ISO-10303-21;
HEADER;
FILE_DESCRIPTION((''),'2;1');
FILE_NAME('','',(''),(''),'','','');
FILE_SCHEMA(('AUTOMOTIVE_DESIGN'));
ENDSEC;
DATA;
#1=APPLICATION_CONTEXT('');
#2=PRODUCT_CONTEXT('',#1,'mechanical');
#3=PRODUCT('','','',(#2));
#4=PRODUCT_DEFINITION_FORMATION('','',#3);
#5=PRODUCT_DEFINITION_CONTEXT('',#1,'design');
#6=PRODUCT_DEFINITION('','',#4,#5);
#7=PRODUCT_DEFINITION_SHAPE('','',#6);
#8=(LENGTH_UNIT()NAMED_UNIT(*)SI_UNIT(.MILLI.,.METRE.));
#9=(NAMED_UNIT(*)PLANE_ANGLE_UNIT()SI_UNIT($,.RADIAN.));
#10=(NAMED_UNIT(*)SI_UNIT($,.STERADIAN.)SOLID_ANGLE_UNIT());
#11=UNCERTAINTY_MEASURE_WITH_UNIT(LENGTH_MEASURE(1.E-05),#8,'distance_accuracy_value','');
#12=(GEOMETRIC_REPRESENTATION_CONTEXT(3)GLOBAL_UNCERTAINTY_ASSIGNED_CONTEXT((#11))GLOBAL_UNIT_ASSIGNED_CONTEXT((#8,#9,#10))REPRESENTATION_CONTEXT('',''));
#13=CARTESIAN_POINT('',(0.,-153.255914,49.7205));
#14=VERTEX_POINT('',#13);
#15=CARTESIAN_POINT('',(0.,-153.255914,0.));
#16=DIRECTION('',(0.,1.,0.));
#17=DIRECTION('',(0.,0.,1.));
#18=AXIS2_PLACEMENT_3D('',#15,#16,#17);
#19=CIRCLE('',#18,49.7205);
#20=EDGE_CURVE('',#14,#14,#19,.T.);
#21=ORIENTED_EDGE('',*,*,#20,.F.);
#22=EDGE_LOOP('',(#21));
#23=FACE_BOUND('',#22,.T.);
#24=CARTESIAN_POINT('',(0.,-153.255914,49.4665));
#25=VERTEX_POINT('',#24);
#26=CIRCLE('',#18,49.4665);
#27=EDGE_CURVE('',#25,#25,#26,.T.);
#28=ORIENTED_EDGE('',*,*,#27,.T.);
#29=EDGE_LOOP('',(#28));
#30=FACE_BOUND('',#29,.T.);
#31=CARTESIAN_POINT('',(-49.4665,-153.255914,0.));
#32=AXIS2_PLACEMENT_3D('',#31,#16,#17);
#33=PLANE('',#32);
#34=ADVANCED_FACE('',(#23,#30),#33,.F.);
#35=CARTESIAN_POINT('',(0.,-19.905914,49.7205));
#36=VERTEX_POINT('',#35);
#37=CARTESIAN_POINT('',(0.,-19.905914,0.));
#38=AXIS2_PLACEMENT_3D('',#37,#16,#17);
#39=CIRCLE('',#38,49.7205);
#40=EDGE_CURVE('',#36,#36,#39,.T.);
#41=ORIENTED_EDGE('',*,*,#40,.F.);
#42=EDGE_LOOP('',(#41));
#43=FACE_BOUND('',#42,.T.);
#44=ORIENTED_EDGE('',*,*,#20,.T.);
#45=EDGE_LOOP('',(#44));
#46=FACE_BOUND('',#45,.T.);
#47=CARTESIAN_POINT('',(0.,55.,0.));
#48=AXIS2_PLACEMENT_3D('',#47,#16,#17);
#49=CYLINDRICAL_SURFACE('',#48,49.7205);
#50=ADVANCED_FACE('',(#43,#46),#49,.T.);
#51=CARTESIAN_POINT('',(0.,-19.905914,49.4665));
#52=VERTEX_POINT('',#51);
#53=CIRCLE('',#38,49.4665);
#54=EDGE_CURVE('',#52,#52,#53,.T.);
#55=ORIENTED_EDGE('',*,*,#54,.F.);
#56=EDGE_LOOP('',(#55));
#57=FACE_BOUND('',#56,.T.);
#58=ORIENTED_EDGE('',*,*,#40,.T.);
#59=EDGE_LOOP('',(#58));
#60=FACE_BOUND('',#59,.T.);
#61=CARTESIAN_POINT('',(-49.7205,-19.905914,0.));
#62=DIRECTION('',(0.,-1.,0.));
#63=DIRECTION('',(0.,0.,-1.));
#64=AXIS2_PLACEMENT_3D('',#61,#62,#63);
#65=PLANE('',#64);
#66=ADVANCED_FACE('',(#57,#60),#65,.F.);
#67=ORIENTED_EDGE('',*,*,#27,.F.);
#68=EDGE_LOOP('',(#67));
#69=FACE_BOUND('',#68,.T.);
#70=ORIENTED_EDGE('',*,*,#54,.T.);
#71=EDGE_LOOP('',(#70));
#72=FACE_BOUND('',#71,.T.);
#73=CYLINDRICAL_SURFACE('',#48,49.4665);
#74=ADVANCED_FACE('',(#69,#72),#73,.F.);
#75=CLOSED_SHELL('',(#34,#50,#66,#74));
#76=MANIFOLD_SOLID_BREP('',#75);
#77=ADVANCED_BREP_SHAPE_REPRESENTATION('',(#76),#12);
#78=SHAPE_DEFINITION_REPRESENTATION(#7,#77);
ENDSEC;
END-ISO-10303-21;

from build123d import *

# Parameters (mm, degrees)
SKETCH1_W = 0.254
SKETCH1_H = 133.35


with BuildPart() as part:
    # Sketch1 → Revolve-Thin1 (revolve)
    with BuildSketch(Plane.XY):
        with Locations((-49.5935, -86.580914232)):
            Rectangle(SKETCH1_W, SKETCH1_H)
    revolve(axis=Axis((0, 55, 0), (0, -1, 0)))


solid = part.part
